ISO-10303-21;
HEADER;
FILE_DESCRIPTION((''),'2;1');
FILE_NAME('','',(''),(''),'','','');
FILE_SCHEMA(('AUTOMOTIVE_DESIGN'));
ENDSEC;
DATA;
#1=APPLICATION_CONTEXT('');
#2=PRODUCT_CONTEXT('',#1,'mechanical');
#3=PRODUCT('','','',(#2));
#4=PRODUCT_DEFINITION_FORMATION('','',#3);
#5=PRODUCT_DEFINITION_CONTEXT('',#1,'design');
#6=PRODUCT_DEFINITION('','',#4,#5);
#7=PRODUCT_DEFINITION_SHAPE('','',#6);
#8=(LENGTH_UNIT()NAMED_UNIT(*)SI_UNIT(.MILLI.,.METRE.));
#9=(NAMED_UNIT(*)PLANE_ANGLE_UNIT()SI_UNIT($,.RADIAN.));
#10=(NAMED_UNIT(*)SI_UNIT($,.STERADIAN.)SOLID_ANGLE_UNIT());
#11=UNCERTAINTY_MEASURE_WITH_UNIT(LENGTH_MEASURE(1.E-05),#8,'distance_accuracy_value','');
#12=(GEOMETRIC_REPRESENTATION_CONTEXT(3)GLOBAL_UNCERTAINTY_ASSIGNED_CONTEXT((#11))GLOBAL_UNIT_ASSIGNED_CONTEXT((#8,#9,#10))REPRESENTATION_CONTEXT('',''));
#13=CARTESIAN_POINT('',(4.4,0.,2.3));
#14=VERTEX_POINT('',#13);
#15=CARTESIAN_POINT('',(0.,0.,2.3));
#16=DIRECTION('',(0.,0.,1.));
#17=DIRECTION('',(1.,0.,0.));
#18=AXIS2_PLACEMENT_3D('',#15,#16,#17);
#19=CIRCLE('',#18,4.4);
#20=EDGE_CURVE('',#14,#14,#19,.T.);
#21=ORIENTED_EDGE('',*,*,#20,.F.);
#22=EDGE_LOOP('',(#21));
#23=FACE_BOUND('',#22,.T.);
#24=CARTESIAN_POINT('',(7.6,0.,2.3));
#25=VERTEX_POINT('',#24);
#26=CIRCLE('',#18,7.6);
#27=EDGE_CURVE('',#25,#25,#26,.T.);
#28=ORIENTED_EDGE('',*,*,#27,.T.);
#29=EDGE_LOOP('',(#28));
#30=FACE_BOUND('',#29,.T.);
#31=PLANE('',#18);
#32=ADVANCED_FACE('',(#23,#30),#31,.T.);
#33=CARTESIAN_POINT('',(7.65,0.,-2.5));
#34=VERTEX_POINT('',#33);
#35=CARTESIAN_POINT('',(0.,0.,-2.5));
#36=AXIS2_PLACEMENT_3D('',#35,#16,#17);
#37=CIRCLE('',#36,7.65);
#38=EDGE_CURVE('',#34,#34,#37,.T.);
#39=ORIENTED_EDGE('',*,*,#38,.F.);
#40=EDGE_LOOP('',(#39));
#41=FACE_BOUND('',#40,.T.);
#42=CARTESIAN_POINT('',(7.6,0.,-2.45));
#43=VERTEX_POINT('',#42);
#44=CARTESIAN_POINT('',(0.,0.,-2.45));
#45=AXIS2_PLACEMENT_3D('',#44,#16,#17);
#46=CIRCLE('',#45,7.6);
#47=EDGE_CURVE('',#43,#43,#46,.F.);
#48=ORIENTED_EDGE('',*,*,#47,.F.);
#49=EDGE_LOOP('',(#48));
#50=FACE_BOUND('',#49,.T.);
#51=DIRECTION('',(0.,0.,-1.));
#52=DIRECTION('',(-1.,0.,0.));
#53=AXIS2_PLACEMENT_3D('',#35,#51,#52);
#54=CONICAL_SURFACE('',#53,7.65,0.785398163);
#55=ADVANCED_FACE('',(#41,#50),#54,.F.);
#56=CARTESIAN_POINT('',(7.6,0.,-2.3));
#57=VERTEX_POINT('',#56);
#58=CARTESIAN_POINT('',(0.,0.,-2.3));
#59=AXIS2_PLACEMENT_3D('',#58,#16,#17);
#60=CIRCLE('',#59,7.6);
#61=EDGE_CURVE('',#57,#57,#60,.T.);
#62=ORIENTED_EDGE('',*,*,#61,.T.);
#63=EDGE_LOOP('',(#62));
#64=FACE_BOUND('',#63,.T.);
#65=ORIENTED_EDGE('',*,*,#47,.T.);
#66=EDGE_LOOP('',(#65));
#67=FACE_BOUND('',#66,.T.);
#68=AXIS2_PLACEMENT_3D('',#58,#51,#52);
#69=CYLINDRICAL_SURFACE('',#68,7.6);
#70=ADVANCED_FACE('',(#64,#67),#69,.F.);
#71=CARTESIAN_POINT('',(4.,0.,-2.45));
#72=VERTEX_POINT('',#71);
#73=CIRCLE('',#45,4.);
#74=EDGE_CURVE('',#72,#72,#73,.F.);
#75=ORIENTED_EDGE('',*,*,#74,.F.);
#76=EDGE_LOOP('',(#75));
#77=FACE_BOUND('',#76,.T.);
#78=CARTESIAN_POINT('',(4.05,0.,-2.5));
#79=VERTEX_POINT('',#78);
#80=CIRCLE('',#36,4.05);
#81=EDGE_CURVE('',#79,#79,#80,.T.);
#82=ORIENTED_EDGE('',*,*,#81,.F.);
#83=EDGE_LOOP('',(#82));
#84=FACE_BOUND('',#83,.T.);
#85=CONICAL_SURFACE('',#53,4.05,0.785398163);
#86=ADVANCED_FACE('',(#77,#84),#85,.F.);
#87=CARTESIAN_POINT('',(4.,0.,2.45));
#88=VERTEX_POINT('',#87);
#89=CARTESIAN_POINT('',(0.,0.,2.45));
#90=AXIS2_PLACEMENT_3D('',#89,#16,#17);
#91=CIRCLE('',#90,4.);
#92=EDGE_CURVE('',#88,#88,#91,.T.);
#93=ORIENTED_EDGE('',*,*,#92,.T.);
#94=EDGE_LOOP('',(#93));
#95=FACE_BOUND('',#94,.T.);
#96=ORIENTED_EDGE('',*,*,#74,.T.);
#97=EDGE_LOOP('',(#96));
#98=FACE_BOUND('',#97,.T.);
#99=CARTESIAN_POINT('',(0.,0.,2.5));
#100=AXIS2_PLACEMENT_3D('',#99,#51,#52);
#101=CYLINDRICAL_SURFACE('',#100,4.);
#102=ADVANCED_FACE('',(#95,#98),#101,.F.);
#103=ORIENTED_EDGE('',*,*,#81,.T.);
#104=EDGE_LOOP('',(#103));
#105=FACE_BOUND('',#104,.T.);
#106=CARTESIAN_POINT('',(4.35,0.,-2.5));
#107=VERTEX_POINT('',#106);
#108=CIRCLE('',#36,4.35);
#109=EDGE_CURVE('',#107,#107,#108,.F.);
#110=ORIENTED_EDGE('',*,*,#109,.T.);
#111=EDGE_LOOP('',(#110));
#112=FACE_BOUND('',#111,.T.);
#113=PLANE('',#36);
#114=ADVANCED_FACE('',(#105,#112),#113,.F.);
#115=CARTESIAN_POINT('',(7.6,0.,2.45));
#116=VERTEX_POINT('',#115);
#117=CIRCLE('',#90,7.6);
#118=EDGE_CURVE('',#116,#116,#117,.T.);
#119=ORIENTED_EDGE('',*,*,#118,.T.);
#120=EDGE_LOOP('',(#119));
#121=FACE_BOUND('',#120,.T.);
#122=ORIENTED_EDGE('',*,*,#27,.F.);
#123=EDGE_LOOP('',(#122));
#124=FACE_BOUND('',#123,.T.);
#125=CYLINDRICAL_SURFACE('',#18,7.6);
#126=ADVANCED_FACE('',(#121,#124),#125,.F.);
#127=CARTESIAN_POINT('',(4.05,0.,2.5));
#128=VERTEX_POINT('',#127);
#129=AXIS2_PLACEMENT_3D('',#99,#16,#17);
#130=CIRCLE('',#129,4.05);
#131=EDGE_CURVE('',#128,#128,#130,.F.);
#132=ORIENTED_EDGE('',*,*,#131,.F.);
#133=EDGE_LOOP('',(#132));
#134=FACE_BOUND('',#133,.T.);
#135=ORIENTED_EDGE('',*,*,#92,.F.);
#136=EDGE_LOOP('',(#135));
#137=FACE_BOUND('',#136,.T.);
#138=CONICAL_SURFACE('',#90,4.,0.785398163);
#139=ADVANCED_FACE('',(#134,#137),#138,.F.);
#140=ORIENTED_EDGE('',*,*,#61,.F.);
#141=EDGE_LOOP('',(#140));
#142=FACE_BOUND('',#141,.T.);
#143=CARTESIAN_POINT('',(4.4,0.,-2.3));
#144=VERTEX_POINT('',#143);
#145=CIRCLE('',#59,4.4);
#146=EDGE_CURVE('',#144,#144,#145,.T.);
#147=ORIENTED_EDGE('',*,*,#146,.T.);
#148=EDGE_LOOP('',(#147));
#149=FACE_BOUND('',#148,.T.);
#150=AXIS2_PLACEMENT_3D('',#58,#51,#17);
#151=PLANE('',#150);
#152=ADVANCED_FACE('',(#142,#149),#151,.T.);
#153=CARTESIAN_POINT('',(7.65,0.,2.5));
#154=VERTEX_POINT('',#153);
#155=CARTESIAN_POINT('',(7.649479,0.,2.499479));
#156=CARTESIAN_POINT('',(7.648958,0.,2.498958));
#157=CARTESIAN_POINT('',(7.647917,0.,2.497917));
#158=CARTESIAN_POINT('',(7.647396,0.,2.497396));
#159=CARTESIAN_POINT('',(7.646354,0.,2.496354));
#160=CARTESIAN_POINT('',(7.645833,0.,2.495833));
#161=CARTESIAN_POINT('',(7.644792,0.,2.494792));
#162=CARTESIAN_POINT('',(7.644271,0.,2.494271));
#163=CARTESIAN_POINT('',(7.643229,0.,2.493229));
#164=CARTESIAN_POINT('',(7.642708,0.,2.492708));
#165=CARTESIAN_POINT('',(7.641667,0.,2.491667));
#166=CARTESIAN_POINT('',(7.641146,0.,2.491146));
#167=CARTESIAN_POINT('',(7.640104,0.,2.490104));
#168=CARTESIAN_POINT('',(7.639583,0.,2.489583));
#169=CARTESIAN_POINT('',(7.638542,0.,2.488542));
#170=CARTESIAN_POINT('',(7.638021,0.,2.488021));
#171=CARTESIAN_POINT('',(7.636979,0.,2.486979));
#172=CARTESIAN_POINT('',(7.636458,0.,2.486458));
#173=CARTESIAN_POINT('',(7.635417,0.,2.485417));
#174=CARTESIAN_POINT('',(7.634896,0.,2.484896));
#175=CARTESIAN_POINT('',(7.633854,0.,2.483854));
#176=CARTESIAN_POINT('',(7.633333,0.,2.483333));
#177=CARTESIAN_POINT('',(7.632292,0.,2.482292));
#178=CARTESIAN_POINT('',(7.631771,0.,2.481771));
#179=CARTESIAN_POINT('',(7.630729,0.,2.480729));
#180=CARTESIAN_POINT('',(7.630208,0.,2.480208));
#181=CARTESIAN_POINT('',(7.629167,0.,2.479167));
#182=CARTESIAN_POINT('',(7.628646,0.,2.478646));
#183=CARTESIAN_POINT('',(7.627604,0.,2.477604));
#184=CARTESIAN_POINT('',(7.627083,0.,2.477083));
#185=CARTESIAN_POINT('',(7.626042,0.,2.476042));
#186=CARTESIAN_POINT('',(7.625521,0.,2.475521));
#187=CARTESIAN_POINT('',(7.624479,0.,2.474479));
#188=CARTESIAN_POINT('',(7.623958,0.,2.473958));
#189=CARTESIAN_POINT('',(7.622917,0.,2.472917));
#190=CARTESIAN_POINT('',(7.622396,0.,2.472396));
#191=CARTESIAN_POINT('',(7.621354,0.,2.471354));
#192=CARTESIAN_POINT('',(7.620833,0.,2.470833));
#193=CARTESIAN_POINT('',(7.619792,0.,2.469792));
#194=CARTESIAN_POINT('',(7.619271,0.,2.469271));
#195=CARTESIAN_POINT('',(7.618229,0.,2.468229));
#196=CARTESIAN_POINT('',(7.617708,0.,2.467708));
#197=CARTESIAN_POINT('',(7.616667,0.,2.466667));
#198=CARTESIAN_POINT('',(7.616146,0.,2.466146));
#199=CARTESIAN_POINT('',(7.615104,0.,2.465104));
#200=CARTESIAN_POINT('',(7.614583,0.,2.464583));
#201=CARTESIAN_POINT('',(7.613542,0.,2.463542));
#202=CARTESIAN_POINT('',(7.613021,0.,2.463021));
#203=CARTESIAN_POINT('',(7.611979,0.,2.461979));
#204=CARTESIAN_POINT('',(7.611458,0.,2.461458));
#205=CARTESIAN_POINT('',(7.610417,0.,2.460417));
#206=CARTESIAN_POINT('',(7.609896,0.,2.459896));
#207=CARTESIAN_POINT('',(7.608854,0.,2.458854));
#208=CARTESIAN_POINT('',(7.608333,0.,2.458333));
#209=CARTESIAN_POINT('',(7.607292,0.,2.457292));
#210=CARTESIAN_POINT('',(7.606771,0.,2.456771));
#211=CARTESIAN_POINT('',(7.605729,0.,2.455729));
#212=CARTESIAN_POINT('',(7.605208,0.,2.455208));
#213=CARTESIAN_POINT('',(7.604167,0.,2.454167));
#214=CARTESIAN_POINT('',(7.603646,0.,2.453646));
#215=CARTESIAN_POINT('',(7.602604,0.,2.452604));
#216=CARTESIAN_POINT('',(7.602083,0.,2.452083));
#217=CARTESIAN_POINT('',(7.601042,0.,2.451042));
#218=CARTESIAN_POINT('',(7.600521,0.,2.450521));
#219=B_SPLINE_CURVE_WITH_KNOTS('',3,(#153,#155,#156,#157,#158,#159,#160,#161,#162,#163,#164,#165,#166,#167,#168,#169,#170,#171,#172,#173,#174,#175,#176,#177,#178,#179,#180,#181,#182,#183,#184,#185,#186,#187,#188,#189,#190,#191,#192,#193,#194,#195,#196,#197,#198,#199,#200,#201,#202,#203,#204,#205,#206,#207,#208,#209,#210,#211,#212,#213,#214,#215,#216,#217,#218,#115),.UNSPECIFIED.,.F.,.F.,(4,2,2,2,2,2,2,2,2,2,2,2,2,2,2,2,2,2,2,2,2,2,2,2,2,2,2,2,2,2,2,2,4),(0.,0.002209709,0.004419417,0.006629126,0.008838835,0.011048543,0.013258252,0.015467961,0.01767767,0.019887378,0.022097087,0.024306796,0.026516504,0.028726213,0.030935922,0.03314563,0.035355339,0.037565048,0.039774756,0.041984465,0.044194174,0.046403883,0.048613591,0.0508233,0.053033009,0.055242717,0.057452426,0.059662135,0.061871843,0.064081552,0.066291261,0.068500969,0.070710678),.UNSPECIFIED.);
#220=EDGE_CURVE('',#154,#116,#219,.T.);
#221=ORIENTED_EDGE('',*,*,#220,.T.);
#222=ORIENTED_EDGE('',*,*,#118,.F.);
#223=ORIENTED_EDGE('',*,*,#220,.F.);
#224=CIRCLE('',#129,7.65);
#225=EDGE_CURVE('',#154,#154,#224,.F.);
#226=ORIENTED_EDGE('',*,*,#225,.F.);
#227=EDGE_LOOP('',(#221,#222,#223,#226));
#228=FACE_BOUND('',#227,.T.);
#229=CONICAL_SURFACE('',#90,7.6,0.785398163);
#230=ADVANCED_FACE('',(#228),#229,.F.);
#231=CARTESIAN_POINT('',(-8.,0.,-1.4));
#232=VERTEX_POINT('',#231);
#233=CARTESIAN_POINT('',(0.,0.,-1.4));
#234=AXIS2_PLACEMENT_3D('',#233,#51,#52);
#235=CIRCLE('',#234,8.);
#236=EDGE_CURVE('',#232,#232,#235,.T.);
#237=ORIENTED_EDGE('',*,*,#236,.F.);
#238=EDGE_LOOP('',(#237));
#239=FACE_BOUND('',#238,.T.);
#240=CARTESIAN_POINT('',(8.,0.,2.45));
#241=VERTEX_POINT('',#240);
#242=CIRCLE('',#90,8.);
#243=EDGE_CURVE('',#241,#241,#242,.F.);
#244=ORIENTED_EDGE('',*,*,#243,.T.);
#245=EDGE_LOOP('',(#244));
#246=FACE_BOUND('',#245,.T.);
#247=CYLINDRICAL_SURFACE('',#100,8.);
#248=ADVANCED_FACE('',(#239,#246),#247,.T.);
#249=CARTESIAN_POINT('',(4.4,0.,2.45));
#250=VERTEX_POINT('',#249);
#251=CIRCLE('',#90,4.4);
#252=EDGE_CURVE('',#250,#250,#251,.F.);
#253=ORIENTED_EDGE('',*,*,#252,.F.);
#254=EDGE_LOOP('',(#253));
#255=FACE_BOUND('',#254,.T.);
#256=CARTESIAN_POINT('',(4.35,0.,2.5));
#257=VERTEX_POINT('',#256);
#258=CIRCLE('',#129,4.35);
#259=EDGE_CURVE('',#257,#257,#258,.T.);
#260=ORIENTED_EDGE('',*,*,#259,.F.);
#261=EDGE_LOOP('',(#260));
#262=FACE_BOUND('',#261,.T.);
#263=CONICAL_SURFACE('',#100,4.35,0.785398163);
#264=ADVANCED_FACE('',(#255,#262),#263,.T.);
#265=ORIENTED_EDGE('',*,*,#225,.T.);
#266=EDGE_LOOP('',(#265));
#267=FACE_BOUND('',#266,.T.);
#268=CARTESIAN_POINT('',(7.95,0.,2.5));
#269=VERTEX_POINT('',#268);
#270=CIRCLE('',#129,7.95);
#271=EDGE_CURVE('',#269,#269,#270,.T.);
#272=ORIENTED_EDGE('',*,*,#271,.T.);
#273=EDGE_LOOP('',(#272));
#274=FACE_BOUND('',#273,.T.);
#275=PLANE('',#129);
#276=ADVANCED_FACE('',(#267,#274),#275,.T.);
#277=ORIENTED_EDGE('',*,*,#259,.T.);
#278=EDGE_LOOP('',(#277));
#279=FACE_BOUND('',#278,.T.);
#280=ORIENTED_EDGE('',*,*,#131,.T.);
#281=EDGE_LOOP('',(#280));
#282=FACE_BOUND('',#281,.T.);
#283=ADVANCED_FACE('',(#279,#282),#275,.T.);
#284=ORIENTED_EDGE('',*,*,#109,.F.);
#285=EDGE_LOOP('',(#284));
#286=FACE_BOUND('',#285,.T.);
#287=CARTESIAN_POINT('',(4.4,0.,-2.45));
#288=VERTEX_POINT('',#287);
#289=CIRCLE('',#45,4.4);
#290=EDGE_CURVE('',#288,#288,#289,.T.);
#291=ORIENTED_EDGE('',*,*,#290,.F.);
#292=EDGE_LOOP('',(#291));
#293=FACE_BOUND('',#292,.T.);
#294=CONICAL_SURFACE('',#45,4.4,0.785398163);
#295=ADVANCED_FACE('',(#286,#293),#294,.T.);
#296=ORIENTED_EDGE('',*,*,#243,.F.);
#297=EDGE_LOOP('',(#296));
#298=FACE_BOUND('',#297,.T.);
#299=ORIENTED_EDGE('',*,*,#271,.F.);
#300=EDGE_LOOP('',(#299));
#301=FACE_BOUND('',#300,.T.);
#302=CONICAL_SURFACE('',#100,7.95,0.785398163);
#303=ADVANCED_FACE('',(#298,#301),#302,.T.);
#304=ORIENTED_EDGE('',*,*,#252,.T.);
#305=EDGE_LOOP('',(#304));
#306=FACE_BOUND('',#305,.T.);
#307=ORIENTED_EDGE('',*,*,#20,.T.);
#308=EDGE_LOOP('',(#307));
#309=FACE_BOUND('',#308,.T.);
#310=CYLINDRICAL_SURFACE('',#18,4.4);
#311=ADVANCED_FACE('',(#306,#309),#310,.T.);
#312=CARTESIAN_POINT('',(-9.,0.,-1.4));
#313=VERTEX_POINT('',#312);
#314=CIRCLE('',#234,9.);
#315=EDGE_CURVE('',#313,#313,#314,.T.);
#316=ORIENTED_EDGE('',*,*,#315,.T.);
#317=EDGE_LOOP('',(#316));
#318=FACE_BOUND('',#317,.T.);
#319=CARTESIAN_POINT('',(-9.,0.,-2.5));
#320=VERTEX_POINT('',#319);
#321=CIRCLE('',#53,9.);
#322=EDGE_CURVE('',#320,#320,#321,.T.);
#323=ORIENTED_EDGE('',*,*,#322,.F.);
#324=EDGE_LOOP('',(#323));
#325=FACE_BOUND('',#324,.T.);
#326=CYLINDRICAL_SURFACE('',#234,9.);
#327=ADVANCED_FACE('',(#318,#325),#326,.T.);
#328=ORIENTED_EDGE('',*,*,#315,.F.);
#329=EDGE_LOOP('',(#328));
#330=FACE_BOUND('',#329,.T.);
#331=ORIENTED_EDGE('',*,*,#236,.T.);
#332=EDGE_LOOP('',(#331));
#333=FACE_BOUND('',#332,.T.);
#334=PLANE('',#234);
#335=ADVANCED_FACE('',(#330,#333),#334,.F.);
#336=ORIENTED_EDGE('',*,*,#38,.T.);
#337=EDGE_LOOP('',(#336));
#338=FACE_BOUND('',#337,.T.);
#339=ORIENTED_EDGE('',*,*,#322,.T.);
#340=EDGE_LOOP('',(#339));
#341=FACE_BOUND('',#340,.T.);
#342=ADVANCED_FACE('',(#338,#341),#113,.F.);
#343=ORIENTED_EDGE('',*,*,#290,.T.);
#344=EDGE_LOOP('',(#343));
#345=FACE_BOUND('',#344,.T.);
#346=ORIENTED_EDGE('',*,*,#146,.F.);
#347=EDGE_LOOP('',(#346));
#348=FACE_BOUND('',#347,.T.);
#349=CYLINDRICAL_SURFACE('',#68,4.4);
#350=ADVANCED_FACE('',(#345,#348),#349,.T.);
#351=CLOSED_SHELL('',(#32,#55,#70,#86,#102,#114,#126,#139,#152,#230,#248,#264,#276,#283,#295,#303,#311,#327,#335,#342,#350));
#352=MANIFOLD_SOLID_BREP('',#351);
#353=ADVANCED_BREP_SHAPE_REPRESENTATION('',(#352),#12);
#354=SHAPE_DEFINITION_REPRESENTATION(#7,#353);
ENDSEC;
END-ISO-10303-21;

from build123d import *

# Parameters (mm, degrees)
SKETCH_1_R          = 8
SKETCH_1_R_2        = 4
EXTRUDE_1_DEPTH     = 2.5
SKETCH_3_R          = 9
SKETCH_3_R_2        = 4
EXTRUDE_2_DEPTH     = 1.1
SKETCH_4_R          = 7.6
SKETCH_4_R_2        = 4.4
CUT_EXTRUDE_1_DEPTH = 0.2
CHAMFER_1_SIZE      = 0.05


with BuildPart() as part:
    # 草图1 → 凸台-拉伸1 (new, symmetric)
    with BuildSketch(Plane.XY):
        Circle(SKETCH_1_R)
        Circle(SKETCH_1_R_2, mode=Mode.SUBTRACT)
    extrude(amount=EXTRUDE_1_DEPTH, both=True)

    # 草图3 → 凸台-拉伸2 (add)
    with BuildSketch(Plane(origin=(0, 0, -2.5), x_dir=(-1, 0, 0), z_dir=(0, 0, -1))):
        Circle(SKETCH_3_R)
        with Locations(Location((0, 0, 0), (0, 0, 180))):
            Circle(SKETCH_3_R_2, mode=Mode.SUBTRACT)
    extrude(amount=-EXTRUDE_2_DEPTH)

    # 草图4 → 切除-拉伸1 (cut)
    with BuildSketch(Plane.XY.offset(2.5)):
        Circle(SKETCH_4_R)
        Circle(SKETCH_4_R_2, mode=Mode.SUBTRACT)
    cut_extrude_1 = extrude(amount=-CUT_EXTRUDE_1_DEPTH, mode=Mode.SUBTRACT)

    # 镜向1: 切除-拉伸1 across plane
    add(cut_extrude_1.mirror(Plane.XY), mode=Mode.SUBTRACT)

    # 倒角1
    chamfer_1_edges = [part.edges().sort_by_distance(p)[0] for p in [
        (-7.6, 0, 2.5),
        (-4.4, 0, 2.5),
        (-4.4, 0, -2.5),
        (-7.6, 0, -2.5),
        (-8, 0, 2.5),
        (-4, 0, -2.5),
        (-4, 0, 2.5),
    ]]
    chamfer(chamfer_1_edges, length=CHAMFER_1_SIZE)


solid = part.part
